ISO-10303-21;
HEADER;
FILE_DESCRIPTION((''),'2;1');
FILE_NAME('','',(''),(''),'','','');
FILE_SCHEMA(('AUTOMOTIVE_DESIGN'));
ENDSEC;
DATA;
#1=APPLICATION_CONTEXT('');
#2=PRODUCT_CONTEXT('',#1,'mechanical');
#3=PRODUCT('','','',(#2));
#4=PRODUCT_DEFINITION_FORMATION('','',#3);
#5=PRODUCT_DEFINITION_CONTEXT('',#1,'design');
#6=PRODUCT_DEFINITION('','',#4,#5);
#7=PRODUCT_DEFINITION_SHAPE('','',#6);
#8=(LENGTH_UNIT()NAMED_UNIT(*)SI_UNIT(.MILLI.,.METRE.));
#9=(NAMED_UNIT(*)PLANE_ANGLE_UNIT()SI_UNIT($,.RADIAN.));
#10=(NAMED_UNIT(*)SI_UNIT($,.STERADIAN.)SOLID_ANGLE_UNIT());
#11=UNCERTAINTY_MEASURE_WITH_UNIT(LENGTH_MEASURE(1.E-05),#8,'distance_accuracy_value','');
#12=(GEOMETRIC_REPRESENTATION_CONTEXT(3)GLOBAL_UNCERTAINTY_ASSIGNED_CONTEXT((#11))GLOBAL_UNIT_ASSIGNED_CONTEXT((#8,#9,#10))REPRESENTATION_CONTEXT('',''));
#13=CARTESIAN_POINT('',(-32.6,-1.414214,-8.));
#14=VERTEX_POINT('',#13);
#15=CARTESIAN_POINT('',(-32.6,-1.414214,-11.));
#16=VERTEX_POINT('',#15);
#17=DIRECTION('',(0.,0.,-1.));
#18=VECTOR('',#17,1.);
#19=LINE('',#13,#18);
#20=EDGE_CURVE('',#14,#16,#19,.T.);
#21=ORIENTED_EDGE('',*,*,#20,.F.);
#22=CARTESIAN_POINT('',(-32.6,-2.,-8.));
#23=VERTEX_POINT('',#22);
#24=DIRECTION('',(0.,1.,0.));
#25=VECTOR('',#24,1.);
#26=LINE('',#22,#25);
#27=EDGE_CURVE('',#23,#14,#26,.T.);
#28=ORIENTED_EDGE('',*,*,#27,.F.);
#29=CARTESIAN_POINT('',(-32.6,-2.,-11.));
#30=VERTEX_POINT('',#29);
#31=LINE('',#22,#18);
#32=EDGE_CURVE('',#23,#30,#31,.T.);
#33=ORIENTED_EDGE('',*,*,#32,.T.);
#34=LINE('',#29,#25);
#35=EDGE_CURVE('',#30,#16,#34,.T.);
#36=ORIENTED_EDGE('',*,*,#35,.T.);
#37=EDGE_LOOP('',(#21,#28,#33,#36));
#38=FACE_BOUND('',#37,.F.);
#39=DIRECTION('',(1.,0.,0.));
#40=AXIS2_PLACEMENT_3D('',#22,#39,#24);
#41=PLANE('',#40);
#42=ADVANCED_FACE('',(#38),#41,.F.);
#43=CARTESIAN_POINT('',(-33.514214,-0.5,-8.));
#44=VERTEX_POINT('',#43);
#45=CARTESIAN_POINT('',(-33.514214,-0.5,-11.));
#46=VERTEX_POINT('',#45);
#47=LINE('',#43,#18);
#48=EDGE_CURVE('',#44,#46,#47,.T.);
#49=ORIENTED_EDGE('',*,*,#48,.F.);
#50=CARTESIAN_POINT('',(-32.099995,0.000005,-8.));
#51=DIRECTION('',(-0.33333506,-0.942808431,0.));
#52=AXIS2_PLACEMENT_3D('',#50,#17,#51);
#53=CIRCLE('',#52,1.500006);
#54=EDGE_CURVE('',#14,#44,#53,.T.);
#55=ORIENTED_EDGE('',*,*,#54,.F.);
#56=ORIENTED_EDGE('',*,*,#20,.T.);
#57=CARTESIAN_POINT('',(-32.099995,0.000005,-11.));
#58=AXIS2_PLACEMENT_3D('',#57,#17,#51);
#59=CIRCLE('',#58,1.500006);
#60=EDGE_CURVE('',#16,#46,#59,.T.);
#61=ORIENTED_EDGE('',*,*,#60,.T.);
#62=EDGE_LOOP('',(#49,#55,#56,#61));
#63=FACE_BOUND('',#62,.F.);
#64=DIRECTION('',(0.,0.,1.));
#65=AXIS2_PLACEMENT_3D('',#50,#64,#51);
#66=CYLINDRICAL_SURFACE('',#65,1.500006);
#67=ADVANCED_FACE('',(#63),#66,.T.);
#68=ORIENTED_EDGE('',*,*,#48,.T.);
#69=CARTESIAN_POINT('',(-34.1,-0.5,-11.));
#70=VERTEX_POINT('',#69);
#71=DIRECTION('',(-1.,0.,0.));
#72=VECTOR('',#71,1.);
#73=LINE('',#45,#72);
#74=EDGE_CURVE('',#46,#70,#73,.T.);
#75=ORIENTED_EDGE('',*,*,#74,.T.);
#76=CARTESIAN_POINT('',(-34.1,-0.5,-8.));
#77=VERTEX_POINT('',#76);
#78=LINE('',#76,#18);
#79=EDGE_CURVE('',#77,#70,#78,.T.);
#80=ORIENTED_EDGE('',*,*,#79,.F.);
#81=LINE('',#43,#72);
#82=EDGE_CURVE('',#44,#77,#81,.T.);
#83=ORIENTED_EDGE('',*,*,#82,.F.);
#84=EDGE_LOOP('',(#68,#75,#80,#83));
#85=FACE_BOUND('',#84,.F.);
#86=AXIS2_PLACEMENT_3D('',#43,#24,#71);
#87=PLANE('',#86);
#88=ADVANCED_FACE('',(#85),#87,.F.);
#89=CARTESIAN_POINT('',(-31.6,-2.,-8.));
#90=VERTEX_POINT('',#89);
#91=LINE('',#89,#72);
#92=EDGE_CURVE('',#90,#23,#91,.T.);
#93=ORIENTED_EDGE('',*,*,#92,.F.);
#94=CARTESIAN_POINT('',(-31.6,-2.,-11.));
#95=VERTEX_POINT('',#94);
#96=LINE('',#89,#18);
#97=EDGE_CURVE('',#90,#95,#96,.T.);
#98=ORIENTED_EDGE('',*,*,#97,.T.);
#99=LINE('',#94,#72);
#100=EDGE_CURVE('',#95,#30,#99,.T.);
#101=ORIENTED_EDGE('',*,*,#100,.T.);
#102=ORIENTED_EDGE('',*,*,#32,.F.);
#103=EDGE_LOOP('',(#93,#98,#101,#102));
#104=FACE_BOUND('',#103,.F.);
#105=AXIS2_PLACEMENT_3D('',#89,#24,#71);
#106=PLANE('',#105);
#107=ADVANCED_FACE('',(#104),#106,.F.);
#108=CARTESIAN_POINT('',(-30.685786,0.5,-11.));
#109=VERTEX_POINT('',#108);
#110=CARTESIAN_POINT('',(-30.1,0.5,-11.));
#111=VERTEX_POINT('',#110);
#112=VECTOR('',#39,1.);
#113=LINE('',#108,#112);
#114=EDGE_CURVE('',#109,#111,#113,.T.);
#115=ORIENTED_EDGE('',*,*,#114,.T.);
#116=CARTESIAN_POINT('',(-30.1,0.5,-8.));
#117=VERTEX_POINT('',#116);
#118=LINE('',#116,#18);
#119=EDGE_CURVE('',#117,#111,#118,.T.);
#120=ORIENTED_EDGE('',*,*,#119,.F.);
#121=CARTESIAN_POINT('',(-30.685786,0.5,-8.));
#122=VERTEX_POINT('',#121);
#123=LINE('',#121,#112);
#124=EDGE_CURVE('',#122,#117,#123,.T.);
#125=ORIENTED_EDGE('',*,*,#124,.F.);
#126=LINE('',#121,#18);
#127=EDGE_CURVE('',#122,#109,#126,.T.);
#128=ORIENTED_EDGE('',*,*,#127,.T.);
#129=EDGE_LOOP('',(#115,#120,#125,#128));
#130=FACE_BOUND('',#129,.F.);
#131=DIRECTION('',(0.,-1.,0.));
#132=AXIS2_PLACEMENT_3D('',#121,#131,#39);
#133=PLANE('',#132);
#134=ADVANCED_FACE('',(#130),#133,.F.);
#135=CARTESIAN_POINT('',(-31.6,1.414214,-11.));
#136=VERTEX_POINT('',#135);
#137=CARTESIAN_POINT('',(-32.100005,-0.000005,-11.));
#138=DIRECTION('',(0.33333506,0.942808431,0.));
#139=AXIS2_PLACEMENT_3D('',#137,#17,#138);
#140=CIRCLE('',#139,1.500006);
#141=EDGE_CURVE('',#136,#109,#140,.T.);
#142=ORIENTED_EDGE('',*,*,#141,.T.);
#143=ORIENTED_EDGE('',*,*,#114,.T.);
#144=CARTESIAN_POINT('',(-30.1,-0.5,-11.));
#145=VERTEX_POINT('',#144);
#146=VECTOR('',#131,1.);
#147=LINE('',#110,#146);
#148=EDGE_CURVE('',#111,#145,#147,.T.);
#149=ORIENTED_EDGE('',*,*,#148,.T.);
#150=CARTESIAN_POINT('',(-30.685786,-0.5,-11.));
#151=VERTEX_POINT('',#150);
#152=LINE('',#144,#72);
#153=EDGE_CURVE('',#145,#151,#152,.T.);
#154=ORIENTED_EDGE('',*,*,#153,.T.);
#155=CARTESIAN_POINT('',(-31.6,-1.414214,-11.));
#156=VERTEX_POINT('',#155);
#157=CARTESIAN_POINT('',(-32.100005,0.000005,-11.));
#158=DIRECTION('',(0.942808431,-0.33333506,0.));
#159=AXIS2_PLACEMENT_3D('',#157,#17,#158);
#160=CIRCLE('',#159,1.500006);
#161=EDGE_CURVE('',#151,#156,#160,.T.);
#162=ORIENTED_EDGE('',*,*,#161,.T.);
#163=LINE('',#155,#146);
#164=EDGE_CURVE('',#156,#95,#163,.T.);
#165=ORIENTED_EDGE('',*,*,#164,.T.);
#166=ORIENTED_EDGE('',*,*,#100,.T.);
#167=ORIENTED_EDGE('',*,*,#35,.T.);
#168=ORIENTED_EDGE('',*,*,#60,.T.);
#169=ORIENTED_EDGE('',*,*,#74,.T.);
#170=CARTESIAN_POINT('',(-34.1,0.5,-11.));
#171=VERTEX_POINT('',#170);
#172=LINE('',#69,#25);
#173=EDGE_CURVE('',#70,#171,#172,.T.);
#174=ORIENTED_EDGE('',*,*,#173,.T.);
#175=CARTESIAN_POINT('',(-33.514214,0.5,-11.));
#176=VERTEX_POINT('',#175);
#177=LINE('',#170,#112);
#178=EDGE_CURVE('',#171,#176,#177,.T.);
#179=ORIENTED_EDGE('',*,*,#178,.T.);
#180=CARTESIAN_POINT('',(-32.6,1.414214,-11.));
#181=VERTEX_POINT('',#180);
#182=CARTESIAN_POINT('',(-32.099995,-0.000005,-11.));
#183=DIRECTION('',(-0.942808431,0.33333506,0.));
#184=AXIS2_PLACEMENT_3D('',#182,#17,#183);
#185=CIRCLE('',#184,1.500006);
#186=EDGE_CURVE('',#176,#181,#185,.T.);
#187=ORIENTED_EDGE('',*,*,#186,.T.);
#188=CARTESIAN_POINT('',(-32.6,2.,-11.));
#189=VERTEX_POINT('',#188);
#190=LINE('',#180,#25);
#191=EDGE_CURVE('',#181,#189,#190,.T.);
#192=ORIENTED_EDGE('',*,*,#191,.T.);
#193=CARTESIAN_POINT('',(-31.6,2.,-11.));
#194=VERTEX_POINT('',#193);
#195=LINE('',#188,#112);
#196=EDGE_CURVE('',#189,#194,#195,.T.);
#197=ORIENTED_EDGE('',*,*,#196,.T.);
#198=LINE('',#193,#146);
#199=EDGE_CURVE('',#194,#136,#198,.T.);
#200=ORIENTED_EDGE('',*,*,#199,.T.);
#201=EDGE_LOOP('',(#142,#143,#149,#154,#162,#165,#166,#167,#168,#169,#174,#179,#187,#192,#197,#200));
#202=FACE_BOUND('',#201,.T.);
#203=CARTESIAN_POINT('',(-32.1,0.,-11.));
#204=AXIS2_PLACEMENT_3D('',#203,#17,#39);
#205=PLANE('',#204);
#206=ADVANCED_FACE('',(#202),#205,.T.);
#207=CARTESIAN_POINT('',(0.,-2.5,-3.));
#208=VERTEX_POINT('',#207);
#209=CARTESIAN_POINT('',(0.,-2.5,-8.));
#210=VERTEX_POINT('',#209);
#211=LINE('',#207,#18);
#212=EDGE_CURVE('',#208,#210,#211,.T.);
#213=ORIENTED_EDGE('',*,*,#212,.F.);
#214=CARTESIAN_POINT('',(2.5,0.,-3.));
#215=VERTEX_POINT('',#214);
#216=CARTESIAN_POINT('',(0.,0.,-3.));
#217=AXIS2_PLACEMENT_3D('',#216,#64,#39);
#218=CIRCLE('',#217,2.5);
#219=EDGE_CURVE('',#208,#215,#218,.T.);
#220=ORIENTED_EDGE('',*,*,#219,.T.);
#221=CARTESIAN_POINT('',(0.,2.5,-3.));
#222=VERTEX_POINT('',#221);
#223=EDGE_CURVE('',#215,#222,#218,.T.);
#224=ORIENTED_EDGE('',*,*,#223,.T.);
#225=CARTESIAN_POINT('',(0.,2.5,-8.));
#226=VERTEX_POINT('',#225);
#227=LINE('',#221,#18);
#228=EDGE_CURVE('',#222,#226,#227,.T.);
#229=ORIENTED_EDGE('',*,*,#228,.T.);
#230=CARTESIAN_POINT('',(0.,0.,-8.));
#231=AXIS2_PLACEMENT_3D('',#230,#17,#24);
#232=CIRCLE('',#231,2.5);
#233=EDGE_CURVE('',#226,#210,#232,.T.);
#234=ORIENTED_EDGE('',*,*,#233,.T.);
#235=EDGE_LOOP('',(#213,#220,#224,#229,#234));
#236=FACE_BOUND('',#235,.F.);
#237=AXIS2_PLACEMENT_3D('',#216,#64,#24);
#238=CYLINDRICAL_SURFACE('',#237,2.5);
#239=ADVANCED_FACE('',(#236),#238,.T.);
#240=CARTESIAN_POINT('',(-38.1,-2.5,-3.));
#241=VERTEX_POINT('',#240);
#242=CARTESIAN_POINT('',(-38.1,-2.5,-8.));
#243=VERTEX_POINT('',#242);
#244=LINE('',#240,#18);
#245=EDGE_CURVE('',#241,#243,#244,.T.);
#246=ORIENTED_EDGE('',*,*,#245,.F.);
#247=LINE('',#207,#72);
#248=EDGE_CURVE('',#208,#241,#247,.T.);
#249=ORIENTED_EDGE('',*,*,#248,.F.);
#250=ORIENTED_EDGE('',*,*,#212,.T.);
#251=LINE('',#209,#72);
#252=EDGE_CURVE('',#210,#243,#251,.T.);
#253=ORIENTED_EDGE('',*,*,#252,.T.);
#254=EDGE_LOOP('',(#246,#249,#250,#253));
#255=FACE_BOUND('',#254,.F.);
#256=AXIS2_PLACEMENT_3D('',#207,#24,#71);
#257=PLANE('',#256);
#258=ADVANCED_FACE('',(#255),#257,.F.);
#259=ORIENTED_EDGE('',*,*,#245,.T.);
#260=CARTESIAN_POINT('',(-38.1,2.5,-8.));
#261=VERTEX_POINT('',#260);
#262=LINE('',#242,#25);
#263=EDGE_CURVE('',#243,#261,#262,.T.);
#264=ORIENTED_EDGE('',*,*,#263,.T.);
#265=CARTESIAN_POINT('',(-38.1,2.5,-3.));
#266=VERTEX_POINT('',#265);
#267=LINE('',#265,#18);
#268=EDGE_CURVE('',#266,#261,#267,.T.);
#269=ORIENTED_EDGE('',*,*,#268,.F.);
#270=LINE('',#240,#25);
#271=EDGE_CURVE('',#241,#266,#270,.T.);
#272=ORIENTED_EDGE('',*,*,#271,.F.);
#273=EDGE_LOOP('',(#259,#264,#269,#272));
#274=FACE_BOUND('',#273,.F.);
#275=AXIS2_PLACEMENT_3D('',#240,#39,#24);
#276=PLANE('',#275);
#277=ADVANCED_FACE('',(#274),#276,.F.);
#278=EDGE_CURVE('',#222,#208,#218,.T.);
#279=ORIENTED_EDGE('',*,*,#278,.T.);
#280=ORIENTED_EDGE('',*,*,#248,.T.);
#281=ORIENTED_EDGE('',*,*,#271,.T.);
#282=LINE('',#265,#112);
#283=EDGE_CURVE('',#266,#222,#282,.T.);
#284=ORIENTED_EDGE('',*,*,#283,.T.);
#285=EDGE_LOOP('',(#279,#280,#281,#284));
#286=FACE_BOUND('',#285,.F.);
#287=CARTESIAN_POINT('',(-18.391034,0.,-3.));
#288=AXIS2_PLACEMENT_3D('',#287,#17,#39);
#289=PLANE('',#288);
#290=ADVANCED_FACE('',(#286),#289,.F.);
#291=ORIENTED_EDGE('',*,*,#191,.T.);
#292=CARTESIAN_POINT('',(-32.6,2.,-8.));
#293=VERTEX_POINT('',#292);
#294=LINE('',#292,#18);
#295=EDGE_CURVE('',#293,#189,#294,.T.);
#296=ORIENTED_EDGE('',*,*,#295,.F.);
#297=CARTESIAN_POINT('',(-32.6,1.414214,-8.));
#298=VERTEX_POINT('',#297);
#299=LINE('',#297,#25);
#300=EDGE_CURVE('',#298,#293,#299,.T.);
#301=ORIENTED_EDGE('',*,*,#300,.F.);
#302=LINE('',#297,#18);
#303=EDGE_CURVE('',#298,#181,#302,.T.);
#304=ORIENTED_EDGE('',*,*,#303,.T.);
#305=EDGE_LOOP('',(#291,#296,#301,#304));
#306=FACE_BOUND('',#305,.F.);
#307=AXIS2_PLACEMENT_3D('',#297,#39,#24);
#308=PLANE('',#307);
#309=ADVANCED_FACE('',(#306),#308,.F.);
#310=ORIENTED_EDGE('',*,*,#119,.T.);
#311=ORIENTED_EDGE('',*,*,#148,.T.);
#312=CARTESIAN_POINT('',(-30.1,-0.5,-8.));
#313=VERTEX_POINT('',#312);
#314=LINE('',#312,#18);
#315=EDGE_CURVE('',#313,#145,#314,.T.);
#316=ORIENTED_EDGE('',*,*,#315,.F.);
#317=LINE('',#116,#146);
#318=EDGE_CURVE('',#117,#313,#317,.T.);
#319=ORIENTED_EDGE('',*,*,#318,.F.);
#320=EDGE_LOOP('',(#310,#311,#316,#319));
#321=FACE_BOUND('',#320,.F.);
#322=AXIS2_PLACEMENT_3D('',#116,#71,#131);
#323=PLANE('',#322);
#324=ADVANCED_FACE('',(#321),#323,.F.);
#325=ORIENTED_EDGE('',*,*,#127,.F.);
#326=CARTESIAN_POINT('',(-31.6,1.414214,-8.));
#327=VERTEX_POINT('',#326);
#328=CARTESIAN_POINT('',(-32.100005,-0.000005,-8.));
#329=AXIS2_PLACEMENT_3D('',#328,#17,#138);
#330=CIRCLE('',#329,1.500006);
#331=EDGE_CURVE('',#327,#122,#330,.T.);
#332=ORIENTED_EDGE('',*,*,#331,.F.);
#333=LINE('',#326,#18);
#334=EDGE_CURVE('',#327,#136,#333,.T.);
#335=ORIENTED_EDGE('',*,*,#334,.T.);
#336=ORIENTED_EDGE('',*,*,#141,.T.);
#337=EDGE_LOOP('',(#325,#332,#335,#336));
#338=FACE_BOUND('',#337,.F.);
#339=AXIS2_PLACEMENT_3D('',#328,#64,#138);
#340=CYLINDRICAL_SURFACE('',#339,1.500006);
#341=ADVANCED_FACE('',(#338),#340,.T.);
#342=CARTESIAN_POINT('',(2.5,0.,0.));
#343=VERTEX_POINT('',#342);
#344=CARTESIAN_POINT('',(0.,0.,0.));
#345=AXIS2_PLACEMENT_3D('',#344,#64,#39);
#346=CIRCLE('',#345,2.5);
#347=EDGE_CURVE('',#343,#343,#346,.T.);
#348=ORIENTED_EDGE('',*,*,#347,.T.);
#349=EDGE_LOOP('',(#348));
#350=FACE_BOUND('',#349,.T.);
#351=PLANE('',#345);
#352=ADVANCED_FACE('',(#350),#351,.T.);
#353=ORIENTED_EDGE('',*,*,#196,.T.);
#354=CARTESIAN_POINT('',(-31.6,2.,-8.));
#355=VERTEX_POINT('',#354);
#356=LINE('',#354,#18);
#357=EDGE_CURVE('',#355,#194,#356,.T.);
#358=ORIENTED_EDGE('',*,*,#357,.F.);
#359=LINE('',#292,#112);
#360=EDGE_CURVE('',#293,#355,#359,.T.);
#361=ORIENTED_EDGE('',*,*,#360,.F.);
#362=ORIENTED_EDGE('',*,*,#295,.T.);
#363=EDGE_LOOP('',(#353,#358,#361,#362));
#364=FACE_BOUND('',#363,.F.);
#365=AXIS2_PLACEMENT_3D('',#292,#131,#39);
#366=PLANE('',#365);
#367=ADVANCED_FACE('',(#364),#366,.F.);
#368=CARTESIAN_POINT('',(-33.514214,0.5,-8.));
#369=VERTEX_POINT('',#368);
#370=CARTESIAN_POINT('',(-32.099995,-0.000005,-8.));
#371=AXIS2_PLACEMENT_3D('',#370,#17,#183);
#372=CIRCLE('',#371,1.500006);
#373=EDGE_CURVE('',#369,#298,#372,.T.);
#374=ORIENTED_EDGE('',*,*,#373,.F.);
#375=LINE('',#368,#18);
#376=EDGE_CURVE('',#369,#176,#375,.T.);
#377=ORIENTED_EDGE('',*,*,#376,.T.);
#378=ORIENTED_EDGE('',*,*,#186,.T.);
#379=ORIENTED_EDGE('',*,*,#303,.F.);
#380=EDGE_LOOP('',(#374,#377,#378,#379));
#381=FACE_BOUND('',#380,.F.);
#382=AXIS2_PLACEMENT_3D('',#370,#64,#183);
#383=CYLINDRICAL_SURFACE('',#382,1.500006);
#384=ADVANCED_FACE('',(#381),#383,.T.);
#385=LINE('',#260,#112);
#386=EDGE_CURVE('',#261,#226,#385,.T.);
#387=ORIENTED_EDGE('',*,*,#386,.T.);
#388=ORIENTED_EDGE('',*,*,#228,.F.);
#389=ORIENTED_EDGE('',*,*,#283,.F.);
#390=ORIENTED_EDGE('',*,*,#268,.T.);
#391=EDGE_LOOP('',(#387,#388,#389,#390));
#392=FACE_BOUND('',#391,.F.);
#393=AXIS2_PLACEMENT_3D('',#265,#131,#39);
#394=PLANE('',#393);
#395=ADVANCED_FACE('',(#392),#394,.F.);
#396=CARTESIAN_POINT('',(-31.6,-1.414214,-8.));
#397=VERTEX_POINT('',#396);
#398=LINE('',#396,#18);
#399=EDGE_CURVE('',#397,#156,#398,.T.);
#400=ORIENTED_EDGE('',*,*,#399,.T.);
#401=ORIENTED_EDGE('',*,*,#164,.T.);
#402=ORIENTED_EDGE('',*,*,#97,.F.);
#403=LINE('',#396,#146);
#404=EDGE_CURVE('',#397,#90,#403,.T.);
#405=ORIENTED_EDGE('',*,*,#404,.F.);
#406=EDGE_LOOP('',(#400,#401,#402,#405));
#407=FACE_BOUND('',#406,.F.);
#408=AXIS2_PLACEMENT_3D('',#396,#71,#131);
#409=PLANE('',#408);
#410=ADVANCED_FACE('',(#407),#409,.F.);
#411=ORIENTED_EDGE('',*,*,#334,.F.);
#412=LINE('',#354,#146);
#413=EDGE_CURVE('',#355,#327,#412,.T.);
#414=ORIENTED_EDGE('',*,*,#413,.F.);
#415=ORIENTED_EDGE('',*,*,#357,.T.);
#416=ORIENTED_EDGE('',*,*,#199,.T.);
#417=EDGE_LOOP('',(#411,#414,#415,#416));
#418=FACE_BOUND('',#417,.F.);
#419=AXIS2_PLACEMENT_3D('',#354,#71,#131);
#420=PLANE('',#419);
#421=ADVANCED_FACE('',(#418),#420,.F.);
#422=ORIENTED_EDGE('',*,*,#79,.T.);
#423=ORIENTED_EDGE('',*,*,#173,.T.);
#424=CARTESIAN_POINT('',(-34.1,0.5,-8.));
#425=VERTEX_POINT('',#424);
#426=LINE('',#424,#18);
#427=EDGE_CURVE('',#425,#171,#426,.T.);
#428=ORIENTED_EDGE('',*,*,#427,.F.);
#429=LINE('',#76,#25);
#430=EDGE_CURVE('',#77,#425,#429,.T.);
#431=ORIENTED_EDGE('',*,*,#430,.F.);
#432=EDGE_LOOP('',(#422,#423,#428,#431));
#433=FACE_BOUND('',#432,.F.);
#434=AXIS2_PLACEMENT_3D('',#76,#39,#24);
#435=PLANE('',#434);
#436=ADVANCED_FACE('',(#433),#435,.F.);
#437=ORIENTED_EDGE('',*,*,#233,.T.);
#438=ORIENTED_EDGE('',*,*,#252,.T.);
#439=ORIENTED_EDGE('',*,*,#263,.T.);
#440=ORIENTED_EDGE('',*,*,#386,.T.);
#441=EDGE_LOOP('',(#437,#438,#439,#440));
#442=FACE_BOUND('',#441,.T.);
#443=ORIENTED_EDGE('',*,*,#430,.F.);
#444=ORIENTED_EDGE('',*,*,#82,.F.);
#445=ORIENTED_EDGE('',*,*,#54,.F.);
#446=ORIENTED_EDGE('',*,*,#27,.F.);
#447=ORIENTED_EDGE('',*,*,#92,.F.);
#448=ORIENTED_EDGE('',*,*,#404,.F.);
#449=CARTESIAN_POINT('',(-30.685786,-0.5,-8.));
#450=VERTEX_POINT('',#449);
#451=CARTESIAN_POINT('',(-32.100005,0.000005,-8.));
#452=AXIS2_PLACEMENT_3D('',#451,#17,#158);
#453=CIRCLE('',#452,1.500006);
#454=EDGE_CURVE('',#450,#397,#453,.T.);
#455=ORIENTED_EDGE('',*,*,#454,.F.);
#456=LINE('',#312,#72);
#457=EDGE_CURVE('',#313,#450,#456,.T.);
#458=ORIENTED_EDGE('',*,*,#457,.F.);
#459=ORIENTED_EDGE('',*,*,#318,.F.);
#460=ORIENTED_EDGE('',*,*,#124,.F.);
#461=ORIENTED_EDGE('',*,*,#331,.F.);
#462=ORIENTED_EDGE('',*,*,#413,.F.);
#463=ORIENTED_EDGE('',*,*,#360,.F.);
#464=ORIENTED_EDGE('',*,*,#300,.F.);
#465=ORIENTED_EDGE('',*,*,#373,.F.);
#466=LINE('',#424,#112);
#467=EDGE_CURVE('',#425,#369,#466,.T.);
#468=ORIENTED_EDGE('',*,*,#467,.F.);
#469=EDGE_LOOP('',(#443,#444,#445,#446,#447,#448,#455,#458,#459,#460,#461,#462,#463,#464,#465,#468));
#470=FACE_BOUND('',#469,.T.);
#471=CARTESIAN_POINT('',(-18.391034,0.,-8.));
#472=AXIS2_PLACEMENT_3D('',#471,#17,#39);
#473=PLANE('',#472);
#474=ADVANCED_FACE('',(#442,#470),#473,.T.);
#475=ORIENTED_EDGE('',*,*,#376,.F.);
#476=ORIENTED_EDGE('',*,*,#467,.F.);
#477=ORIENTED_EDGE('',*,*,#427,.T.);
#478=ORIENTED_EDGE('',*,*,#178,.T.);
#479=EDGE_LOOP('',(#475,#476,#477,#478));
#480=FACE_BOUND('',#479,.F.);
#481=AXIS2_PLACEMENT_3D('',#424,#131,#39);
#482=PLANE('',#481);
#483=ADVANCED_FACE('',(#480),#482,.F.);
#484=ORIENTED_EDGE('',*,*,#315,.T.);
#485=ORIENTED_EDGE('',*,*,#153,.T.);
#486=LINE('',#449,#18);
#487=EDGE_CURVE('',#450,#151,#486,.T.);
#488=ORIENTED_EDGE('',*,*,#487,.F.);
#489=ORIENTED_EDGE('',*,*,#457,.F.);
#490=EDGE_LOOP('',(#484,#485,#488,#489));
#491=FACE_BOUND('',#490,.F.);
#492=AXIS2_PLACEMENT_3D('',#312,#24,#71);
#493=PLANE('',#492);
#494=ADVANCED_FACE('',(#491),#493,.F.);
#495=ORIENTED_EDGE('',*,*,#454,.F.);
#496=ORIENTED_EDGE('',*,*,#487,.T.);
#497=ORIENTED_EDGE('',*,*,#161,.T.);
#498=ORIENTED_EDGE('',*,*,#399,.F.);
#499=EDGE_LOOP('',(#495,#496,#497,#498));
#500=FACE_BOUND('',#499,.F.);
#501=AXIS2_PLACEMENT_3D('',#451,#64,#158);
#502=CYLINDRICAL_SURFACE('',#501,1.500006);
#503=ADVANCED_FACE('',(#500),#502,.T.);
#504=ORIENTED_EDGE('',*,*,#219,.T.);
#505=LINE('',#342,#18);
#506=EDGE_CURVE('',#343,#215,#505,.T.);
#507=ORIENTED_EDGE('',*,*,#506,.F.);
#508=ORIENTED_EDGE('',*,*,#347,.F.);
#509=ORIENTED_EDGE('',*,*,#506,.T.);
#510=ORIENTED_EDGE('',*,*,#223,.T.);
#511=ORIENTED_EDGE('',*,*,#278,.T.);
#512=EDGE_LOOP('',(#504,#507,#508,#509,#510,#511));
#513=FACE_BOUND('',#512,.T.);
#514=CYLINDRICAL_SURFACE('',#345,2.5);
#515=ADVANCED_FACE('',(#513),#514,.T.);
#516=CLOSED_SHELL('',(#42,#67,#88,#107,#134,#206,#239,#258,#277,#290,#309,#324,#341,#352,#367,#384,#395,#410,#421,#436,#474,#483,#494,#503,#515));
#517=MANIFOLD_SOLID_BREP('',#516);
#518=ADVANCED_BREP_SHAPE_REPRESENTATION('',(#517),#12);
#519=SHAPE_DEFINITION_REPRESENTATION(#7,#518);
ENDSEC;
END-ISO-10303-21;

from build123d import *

# Parameters (mm, degrees)
F0_R     = 2.5
F1_DEPTH = 3
F3_DEPTH = 5
F5_DEPTH = 3


with BuildPart() as f1:
    # F0 (on Top) → F1 (new body)
    with BuildSketch(Plane.XY):
        Circle(F0_R)
    extrude(amount=-F1_DEPTH)

    # F2 (on face) → F3 (join)
    with BuildSketch(Plane(origin=(0, 0, -3), x_dir=(1, 0, 0), z_dir=(0, 0, -1))):
        with BuildLine():
            Line((-38.1, -2.5), (0, -2.5))
            ThreePointArc((0, -2.5), (2.5, 0), (0, 2.5))
            Line((0, 2.5), (-38.1, 2.5))
            Line((-38.1, 2.5), (-38.1, -2.5))
        make_face()
    extrude(amount=F3_DEPTH)

    # F4 (on face) → F5 (join)
    with BuildSketch(Plane(origin=(0, 0, -8), x_dir=(1, 0, 0), z_dir=(0, 0, -1))):
        with BuildLine():
            Line((-32.6, 2), (-32.6, 1.414214))
            ThreePointArc((-32.6, 1.414214), (-33.16066, 1.06066), (-33.514214, 0.5))
            Line((-33.514214, 0.5), (-34.1, 0.5))
            Line((-34.1, 0.5), (-34.1, -0.5))
            Line((-34.1, -0.5), (-33.514214, -0.5))
            ThreePointArc((-33.514214, -0.5), (-33.16066, -1.06066), (-32.6, -1.414214))
            Line((-32.6, -1.414214), (-32.6, -2))
            Line((-32.6, -2), (-31.6, -2))
            Line((-31.6, -2), (-31.6, -1.414214))
            ThreePointArc((-31.6, -1.414214), (-31.03934, -1.06066), (-30.685786, -0.5))
            Line((-30.685786, -0.5), (-30.1, -0.5))
            Line((-30.1, -0.5), (-30.1, 0.5))
            Line((-30.1, 0.5), (-30.685786, 0.5))
            ThreePointArc((-30.685786, 0.5), (-31.03934, 1.06066), (-31.6, 1.414214))
            Line((-31.6, 1.414214), (-31.6, 2))
            Line((-31.6, 2), (-32.6, 2))
        make_face()
    extrude(amount=F5_DEPTH)


solid = f1.part
